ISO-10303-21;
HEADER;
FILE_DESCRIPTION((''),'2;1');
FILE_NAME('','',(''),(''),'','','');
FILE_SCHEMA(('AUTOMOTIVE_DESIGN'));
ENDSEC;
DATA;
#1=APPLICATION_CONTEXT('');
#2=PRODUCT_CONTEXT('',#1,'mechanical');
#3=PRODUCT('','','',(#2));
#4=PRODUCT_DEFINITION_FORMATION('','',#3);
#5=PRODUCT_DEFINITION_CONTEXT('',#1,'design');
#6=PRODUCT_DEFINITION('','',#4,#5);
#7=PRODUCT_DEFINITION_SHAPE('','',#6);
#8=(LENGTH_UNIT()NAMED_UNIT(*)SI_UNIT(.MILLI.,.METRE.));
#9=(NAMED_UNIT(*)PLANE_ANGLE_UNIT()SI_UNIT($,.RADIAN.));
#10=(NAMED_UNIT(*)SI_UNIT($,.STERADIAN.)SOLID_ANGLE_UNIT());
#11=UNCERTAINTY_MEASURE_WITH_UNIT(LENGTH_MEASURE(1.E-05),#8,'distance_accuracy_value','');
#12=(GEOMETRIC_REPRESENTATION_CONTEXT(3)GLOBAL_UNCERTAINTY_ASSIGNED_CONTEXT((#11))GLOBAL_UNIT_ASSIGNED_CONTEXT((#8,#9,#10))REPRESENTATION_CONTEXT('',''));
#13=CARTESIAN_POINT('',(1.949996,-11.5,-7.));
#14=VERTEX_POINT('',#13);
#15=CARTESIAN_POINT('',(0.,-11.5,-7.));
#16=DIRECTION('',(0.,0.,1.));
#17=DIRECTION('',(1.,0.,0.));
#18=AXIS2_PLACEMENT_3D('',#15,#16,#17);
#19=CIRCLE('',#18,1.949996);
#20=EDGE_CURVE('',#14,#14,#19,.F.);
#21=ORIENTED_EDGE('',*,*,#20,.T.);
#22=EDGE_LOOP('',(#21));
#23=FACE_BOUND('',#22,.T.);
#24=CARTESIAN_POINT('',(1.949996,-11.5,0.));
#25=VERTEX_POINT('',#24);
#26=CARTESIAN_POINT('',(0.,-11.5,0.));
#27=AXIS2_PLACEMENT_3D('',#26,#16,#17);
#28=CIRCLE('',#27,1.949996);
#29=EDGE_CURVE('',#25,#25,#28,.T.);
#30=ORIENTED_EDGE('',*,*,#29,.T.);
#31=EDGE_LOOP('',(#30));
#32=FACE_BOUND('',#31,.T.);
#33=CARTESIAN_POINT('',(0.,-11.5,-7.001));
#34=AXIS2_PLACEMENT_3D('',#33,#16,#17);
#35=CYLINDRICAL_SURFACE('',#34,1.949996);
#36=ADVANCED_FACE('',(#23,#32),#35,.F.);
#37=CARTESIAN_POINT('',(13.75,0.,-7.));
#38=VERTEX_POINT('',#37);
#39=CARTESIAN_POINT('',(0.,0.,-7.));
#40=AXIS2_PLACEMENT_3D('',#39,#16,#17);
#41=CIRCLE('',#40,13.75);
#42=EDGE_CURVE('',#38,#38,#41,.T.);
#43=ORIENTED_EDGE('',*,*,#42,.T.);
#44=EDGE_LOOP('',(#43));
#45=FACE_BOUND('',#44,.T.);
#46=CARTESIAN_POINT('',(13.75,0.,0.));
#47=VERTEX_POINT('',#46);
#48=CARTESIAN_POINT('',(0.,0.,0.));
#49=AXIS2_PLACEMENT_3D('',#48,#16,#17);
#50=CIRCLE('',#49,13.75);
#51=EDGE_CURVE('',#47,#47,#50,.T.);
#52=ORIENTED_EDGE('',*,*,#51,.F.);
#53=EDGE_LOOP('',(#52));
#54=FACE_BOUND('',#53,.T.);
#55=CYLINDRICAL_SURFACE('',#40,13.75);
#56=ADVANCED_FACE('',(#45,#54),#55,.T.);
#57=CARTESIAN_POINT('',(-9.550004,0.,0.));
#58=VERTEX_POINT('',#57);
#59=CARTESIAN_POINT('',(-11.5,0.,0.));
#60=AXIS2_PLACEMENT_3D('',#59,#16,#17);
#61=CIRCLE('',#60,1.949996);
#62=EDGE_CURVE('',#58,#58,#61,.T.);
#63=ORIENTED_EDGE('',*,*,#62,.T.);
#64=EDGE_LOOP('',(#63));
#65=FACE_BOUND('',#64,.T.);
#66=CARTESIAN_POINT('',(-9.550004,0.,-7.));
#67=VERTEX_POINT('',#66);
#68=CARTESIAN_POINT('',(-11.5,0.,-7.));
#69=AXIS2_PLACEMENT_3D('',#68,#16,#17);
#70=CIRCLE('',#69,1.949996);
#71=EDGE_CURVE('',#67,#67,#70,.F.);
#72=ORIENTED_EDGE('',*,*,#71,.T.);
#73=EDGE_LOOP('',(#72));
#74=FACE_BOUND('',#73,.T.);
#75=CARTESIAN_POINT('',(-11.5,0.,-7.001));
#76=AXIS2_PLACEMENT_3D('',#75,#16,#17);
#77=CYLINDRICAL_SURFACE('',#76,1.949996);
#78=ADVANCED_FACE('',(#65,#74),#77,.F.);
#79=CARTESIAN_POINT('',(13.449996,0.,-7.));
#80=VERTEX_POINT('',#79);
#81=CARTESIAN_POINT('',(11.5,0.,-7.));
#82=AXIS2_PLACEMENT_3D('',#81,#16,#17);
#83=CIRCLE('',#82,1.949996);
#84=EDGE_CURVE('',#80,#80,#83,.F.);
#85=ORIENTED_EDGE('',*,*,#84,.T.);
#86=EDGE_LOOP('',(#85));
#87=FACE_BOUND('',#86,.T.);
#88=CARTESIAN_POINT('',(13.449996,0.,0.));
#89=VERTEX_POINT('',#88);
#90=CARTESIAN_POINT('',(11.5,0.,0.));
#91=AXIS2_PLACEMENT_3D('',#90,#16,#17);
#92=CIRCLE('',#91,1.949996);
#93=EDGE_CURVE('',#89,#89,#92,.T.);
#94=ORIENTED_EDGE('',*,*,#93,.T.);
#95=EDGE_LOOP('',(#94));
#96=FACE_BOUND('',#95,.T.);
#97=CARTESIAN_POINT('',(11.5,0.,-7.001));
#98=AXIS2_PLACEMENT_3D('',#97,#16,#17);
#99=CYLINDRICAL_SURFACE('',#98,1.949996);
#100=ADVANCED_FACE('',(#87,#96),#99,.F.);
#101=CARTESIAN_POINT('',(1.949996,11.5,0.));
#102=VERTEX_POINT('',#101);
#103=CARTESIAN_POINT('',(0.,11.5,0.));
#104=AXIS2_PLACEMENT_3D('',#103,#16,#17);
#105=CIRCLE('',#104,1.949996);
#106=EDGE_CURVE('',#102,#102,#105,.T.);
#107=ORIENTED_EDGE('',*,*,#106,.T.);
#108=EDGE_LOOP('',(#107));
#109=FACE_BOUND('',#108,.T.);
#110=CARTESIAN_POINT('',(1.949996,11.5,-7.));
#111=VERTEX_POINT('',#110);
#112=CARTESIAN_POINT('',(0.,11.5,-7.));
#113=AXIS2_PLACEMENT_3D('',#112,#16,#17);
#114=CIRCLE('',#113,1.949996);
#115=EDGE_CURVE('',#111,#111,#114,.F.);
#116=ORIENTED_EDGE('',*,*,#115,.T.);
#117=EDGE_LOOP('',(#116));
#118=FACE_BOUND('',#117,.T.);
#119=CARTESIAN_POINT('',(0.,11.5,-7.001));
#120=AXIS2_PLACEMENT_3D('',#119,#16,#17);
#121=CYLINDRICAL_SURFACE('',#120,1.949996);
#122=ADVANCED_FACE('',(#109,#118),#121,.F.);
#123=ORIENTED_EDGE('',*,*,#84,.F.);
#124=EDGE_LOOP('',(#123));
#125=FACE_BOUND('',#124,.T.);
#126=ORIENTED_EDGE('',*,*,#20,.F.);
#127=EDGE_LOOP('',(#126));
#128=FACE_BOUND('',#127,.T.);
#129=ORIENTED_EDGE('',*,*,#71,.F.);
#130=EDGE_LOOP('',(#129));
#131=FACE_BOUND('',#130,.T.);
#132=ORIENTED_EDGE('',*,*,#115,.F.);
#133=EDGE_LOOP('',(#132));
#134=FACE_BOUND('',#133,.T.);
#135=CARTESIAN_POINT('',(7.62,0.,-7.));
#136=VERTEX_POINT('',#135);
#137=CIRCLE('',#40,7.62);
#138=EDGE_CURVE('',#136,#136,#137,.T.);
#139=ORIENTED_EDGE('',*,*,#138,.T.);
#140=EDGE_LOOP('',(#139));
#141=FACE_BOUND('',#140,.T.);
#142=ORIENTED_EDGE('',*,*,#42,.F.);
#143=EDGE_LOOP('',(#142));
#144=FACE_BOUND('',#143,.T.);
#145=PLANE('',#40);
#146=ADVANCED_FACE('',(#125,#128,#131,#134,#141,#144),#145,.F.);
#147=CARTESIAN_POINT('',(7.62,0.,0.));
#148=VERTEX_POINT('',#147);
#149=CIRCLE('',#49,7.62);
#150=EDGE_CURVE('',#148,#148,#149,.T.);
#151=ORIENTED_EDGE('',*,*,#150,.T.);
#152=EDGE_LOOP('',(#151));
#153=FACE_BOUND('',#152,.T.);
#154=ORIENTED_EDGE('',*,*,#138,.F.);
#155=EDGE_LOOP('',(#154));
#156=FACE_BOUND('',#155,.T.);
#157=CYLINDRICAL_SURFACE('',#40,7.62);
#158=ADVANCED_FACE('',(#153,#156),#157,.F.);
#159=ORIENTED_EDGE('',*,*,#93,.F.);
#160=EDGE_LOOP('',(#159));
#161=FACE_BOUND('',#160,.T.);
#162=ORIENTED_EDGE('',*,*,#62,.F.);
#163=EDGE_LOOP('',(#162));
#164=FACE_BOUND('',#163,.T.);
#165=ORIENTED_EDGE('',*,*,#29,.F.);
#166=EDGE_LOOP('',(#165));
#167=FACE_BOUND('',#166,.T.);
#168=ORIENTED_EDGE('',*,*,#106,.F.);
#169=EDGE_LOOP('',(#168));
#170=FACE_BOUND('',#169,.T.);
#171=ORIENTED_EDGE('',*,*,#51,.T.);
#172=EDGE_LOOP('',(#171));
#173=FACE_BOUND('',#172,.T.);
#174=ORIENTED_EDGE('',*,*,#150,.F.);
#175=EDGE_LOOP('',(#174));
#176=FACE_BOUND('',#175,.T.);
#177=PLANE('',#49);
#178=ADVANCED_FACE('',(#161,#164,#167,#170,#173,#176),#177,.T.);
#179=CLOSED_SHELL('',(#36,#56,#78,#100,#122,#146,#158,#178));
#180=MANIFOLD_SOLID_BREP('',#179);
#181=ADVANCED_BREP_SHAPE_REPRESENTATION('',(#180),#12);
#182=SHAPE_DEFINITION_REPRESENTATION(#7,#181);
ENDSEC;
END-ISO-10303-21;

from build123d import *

# Parameters (mm, degrees)
SKETCH1_R           = 13.75
SKETCH1_R_2         = 7.62
BOSS_EXTRUDE1_DEPTH = 7
CUT_EXTRUDE1_REACH  = 9
SKETCH3_R           = 1.9499961


with BuildPart() as part:
    # Sketch1 → Boss-Extrude1 (new body)
    with BuildSketch(Plane.XY):
        Circle(SKETCH1_R)
        Circle(SKETCH1_R_2, mode=Mode.SUBTRACT)
    extrude(amount=-BOSS_EXTRUDE1_DEPTH)

    # Sketch3 → Cut-Extrude1 (cut, up to next)
    with BuildSketch(Plane.XY, mode=Mode.PRIVATE) as cut_extrude1_sk1:
        with Locations((-11.49999986, 0)):
            Circle(SKETCH3_R)
    cut_extrude1_tool1 = extrude(cut_extrude1_sk1.sketch, amount=-CUT_EXTRUDE1_REACH, mode=Mode.PRIVATE) & part.part
    add(cut_extrude1_tool1.solids().sort_by_distance((-11.5, 0, 0))[0], mode=Mode.SUBTRACT)
    # Sketch3 → Cut-Extrude1 (cut, up to next)
    with BuildSketch(Plane.XY, mode=Mode.PRIVATE) as cut_extrude1_sk2:
        with Locations((0, 11.49999986)):
            Circle(SKETCH3_R)
    cut_extrude1_tool2 = extrude(cut_extrude1_sk2.sketch, amount=-CUT_EXTRUDE1_REACH, mode=Mode.PRIVATE) & part.part
    add(cut_extrude1_tool2.solids().sort_by_distance((0, 11.5, 0))[0], mode=Mode.SUBTRACT)
    # Sketch3 → Cut-Extrude1 (cut, up to next)
    with BuildSketch(Plane.XY, mode=Mode.PRIVATE) as cut_extrude1_sk3:
        with Locations((11.49999986, 0)):
            Circle(SKETCH3_R)
    cut_extrude1_tool3 = extrude(cut_extrude1_sk3.sketch, amount=-CUT_EXTRUDE1_REACH, mode=Mode.PRIVATE) & part.part
    add(cut_extrude1_tool3.solids().sort_by_distance((11.5, 0, 0))[0], mode=Mode.SUBTRACT)
    # Sketch3 → Cut-Extrude1 (cut, up to next)
    with BuildSketch(Plane.XY, mode=Mode.PRIVATE) as cut_extrude1_sk4:
        with Locations((0, -11.49999986)):
            Circle(SKETCH3_R)
    cut_extrude1_tool4 = extrude(cut_extrude1_sk4.sketch, amount=-CUT_EXTRUDE1_REACH, mode=Mode.PRIVATE) & part.part
    add(cut_extrude1_tool4.solids().sort_by_distance((0, -11.5, 0))[0], mode=Mode.SUBTRACT)


solid = part.part
